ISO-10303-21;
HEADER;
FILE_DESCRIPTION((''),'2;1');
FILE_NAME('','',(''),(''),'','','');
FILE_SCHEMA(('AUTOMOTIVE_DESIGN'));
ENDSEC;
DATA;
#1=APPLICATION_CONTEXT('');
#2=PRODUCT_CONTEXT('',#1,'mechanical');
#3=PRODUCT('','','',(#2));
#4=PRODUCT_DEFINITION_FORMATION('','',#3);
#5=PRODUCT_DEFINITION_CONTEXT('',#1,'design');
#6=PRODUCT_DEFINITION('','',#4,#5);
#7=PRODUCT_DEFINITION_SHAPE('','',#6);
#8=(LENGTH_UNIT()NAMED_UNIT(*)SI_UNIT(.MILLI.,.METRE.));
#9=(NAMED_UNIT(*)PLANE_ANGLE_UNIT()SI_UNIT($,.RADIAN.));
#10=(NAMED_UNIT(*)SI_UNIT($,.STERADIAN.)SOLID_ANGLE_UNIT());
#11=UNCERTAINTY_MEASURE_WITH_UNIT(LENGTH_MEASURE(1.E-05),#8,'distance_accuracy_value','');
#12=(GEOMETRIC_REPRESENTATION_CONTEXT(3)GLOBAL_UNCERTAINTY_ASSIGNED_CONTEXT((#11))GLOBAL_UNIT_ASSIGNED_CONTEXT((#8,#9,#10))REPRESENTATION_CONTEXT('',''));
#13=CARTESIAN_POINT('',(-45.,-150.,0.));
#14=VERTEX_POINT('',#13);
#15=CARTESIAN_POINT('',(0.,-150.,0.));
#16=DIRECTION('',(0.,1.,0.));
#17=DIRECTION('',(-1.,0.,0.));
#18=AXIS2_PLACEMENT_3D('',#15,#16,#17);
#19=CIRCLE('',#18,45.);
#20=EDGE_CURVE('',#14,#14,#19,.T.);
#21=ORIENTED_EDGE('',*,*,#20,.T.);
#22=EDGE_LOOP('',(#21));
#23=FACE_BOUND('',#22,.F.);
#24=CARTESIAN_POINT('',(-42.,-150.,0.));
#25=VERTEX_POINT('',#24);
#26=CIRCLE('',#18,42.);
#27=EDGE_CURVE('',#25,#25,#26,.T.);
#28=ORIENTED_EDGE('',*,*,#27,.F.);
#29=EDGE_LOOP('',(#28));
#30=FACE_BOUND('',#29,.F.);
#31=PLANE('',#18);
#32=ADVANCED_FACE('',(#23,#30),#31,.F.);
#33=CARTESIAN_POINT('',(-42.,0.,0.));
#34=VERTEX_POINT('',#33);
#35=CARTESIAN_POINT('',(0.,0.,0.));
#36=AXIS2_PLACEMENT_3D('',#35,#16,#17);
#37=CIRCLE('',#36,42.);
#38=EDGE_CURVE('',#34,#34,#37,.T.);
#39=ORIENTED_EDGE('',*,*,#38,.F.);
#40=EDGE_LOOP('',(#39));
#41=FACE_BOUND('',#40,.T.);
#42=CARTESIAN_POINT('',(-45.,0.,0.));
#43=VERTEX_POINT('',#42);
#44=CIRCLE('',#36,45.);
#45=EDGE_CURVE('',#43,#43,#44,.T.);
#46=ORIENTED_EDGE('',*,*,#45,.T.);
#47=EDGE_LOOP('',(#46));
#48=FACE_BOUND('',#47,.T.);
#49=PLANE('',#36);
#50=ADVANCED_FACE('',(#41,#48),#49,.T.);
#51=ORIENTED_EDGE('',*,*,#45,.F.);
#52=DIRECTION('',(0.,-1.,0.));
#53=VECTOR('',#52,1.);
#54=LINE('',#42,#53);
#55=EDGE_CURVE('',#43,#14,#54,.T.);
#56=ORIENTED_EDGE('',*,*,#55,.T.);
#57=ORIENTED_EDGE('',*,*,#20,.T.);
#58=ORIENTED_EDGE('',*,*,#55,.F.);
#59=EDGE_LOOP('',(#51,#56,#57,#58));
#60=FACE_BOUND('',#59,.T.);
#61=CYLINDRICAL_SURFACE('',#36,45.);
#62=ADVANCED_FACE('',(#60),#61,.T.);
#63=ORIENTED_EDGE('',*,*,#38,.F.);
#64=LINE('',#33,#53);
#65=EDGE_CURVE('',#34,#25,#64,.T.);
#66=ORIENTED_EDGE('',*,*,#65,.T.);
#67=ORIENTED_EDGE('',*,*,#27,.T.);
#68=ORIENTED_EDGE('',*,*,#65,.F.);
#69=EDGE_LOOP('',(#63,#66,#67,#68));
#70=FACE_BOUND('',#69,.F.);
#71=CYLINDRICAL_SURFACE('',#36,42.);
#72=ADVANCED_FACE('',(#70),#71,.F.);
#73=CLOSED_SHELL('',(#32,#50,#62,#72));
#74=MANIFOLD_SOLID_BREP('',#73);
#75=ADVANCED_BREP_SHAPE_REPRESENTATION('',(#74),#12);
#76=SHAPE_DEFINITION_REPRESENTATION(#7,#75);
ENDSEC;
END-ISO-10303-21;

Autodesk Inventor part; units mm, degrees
ref_plane "YZ Plane" through (0, 0, 0) normal (1, 0, 0) x (0, 1, 0)
ref_plane "XZ Plane" through (0, 0, 0) normal (0, 1, 0) x (-1, 0, 0)
ref_plane "XY Plane" through (0, 0, 0) normal (0, 0, 1) x (1, 0, 0)
sketch "Sketch1" plane through (0, 0, 0) normal (0, 1, 0) x (-1, 0, 0)
  circle A0 centre (0, 0) radius 45
  circle A1 centre (0, 0) radius 42
  dimension "d0" = 90
  dimension "d1" = 3
extrude "Extrusion1" add sketch "Sketch1" against normal blind 150
properties part number "PNS 1614 FDS tube 4"
